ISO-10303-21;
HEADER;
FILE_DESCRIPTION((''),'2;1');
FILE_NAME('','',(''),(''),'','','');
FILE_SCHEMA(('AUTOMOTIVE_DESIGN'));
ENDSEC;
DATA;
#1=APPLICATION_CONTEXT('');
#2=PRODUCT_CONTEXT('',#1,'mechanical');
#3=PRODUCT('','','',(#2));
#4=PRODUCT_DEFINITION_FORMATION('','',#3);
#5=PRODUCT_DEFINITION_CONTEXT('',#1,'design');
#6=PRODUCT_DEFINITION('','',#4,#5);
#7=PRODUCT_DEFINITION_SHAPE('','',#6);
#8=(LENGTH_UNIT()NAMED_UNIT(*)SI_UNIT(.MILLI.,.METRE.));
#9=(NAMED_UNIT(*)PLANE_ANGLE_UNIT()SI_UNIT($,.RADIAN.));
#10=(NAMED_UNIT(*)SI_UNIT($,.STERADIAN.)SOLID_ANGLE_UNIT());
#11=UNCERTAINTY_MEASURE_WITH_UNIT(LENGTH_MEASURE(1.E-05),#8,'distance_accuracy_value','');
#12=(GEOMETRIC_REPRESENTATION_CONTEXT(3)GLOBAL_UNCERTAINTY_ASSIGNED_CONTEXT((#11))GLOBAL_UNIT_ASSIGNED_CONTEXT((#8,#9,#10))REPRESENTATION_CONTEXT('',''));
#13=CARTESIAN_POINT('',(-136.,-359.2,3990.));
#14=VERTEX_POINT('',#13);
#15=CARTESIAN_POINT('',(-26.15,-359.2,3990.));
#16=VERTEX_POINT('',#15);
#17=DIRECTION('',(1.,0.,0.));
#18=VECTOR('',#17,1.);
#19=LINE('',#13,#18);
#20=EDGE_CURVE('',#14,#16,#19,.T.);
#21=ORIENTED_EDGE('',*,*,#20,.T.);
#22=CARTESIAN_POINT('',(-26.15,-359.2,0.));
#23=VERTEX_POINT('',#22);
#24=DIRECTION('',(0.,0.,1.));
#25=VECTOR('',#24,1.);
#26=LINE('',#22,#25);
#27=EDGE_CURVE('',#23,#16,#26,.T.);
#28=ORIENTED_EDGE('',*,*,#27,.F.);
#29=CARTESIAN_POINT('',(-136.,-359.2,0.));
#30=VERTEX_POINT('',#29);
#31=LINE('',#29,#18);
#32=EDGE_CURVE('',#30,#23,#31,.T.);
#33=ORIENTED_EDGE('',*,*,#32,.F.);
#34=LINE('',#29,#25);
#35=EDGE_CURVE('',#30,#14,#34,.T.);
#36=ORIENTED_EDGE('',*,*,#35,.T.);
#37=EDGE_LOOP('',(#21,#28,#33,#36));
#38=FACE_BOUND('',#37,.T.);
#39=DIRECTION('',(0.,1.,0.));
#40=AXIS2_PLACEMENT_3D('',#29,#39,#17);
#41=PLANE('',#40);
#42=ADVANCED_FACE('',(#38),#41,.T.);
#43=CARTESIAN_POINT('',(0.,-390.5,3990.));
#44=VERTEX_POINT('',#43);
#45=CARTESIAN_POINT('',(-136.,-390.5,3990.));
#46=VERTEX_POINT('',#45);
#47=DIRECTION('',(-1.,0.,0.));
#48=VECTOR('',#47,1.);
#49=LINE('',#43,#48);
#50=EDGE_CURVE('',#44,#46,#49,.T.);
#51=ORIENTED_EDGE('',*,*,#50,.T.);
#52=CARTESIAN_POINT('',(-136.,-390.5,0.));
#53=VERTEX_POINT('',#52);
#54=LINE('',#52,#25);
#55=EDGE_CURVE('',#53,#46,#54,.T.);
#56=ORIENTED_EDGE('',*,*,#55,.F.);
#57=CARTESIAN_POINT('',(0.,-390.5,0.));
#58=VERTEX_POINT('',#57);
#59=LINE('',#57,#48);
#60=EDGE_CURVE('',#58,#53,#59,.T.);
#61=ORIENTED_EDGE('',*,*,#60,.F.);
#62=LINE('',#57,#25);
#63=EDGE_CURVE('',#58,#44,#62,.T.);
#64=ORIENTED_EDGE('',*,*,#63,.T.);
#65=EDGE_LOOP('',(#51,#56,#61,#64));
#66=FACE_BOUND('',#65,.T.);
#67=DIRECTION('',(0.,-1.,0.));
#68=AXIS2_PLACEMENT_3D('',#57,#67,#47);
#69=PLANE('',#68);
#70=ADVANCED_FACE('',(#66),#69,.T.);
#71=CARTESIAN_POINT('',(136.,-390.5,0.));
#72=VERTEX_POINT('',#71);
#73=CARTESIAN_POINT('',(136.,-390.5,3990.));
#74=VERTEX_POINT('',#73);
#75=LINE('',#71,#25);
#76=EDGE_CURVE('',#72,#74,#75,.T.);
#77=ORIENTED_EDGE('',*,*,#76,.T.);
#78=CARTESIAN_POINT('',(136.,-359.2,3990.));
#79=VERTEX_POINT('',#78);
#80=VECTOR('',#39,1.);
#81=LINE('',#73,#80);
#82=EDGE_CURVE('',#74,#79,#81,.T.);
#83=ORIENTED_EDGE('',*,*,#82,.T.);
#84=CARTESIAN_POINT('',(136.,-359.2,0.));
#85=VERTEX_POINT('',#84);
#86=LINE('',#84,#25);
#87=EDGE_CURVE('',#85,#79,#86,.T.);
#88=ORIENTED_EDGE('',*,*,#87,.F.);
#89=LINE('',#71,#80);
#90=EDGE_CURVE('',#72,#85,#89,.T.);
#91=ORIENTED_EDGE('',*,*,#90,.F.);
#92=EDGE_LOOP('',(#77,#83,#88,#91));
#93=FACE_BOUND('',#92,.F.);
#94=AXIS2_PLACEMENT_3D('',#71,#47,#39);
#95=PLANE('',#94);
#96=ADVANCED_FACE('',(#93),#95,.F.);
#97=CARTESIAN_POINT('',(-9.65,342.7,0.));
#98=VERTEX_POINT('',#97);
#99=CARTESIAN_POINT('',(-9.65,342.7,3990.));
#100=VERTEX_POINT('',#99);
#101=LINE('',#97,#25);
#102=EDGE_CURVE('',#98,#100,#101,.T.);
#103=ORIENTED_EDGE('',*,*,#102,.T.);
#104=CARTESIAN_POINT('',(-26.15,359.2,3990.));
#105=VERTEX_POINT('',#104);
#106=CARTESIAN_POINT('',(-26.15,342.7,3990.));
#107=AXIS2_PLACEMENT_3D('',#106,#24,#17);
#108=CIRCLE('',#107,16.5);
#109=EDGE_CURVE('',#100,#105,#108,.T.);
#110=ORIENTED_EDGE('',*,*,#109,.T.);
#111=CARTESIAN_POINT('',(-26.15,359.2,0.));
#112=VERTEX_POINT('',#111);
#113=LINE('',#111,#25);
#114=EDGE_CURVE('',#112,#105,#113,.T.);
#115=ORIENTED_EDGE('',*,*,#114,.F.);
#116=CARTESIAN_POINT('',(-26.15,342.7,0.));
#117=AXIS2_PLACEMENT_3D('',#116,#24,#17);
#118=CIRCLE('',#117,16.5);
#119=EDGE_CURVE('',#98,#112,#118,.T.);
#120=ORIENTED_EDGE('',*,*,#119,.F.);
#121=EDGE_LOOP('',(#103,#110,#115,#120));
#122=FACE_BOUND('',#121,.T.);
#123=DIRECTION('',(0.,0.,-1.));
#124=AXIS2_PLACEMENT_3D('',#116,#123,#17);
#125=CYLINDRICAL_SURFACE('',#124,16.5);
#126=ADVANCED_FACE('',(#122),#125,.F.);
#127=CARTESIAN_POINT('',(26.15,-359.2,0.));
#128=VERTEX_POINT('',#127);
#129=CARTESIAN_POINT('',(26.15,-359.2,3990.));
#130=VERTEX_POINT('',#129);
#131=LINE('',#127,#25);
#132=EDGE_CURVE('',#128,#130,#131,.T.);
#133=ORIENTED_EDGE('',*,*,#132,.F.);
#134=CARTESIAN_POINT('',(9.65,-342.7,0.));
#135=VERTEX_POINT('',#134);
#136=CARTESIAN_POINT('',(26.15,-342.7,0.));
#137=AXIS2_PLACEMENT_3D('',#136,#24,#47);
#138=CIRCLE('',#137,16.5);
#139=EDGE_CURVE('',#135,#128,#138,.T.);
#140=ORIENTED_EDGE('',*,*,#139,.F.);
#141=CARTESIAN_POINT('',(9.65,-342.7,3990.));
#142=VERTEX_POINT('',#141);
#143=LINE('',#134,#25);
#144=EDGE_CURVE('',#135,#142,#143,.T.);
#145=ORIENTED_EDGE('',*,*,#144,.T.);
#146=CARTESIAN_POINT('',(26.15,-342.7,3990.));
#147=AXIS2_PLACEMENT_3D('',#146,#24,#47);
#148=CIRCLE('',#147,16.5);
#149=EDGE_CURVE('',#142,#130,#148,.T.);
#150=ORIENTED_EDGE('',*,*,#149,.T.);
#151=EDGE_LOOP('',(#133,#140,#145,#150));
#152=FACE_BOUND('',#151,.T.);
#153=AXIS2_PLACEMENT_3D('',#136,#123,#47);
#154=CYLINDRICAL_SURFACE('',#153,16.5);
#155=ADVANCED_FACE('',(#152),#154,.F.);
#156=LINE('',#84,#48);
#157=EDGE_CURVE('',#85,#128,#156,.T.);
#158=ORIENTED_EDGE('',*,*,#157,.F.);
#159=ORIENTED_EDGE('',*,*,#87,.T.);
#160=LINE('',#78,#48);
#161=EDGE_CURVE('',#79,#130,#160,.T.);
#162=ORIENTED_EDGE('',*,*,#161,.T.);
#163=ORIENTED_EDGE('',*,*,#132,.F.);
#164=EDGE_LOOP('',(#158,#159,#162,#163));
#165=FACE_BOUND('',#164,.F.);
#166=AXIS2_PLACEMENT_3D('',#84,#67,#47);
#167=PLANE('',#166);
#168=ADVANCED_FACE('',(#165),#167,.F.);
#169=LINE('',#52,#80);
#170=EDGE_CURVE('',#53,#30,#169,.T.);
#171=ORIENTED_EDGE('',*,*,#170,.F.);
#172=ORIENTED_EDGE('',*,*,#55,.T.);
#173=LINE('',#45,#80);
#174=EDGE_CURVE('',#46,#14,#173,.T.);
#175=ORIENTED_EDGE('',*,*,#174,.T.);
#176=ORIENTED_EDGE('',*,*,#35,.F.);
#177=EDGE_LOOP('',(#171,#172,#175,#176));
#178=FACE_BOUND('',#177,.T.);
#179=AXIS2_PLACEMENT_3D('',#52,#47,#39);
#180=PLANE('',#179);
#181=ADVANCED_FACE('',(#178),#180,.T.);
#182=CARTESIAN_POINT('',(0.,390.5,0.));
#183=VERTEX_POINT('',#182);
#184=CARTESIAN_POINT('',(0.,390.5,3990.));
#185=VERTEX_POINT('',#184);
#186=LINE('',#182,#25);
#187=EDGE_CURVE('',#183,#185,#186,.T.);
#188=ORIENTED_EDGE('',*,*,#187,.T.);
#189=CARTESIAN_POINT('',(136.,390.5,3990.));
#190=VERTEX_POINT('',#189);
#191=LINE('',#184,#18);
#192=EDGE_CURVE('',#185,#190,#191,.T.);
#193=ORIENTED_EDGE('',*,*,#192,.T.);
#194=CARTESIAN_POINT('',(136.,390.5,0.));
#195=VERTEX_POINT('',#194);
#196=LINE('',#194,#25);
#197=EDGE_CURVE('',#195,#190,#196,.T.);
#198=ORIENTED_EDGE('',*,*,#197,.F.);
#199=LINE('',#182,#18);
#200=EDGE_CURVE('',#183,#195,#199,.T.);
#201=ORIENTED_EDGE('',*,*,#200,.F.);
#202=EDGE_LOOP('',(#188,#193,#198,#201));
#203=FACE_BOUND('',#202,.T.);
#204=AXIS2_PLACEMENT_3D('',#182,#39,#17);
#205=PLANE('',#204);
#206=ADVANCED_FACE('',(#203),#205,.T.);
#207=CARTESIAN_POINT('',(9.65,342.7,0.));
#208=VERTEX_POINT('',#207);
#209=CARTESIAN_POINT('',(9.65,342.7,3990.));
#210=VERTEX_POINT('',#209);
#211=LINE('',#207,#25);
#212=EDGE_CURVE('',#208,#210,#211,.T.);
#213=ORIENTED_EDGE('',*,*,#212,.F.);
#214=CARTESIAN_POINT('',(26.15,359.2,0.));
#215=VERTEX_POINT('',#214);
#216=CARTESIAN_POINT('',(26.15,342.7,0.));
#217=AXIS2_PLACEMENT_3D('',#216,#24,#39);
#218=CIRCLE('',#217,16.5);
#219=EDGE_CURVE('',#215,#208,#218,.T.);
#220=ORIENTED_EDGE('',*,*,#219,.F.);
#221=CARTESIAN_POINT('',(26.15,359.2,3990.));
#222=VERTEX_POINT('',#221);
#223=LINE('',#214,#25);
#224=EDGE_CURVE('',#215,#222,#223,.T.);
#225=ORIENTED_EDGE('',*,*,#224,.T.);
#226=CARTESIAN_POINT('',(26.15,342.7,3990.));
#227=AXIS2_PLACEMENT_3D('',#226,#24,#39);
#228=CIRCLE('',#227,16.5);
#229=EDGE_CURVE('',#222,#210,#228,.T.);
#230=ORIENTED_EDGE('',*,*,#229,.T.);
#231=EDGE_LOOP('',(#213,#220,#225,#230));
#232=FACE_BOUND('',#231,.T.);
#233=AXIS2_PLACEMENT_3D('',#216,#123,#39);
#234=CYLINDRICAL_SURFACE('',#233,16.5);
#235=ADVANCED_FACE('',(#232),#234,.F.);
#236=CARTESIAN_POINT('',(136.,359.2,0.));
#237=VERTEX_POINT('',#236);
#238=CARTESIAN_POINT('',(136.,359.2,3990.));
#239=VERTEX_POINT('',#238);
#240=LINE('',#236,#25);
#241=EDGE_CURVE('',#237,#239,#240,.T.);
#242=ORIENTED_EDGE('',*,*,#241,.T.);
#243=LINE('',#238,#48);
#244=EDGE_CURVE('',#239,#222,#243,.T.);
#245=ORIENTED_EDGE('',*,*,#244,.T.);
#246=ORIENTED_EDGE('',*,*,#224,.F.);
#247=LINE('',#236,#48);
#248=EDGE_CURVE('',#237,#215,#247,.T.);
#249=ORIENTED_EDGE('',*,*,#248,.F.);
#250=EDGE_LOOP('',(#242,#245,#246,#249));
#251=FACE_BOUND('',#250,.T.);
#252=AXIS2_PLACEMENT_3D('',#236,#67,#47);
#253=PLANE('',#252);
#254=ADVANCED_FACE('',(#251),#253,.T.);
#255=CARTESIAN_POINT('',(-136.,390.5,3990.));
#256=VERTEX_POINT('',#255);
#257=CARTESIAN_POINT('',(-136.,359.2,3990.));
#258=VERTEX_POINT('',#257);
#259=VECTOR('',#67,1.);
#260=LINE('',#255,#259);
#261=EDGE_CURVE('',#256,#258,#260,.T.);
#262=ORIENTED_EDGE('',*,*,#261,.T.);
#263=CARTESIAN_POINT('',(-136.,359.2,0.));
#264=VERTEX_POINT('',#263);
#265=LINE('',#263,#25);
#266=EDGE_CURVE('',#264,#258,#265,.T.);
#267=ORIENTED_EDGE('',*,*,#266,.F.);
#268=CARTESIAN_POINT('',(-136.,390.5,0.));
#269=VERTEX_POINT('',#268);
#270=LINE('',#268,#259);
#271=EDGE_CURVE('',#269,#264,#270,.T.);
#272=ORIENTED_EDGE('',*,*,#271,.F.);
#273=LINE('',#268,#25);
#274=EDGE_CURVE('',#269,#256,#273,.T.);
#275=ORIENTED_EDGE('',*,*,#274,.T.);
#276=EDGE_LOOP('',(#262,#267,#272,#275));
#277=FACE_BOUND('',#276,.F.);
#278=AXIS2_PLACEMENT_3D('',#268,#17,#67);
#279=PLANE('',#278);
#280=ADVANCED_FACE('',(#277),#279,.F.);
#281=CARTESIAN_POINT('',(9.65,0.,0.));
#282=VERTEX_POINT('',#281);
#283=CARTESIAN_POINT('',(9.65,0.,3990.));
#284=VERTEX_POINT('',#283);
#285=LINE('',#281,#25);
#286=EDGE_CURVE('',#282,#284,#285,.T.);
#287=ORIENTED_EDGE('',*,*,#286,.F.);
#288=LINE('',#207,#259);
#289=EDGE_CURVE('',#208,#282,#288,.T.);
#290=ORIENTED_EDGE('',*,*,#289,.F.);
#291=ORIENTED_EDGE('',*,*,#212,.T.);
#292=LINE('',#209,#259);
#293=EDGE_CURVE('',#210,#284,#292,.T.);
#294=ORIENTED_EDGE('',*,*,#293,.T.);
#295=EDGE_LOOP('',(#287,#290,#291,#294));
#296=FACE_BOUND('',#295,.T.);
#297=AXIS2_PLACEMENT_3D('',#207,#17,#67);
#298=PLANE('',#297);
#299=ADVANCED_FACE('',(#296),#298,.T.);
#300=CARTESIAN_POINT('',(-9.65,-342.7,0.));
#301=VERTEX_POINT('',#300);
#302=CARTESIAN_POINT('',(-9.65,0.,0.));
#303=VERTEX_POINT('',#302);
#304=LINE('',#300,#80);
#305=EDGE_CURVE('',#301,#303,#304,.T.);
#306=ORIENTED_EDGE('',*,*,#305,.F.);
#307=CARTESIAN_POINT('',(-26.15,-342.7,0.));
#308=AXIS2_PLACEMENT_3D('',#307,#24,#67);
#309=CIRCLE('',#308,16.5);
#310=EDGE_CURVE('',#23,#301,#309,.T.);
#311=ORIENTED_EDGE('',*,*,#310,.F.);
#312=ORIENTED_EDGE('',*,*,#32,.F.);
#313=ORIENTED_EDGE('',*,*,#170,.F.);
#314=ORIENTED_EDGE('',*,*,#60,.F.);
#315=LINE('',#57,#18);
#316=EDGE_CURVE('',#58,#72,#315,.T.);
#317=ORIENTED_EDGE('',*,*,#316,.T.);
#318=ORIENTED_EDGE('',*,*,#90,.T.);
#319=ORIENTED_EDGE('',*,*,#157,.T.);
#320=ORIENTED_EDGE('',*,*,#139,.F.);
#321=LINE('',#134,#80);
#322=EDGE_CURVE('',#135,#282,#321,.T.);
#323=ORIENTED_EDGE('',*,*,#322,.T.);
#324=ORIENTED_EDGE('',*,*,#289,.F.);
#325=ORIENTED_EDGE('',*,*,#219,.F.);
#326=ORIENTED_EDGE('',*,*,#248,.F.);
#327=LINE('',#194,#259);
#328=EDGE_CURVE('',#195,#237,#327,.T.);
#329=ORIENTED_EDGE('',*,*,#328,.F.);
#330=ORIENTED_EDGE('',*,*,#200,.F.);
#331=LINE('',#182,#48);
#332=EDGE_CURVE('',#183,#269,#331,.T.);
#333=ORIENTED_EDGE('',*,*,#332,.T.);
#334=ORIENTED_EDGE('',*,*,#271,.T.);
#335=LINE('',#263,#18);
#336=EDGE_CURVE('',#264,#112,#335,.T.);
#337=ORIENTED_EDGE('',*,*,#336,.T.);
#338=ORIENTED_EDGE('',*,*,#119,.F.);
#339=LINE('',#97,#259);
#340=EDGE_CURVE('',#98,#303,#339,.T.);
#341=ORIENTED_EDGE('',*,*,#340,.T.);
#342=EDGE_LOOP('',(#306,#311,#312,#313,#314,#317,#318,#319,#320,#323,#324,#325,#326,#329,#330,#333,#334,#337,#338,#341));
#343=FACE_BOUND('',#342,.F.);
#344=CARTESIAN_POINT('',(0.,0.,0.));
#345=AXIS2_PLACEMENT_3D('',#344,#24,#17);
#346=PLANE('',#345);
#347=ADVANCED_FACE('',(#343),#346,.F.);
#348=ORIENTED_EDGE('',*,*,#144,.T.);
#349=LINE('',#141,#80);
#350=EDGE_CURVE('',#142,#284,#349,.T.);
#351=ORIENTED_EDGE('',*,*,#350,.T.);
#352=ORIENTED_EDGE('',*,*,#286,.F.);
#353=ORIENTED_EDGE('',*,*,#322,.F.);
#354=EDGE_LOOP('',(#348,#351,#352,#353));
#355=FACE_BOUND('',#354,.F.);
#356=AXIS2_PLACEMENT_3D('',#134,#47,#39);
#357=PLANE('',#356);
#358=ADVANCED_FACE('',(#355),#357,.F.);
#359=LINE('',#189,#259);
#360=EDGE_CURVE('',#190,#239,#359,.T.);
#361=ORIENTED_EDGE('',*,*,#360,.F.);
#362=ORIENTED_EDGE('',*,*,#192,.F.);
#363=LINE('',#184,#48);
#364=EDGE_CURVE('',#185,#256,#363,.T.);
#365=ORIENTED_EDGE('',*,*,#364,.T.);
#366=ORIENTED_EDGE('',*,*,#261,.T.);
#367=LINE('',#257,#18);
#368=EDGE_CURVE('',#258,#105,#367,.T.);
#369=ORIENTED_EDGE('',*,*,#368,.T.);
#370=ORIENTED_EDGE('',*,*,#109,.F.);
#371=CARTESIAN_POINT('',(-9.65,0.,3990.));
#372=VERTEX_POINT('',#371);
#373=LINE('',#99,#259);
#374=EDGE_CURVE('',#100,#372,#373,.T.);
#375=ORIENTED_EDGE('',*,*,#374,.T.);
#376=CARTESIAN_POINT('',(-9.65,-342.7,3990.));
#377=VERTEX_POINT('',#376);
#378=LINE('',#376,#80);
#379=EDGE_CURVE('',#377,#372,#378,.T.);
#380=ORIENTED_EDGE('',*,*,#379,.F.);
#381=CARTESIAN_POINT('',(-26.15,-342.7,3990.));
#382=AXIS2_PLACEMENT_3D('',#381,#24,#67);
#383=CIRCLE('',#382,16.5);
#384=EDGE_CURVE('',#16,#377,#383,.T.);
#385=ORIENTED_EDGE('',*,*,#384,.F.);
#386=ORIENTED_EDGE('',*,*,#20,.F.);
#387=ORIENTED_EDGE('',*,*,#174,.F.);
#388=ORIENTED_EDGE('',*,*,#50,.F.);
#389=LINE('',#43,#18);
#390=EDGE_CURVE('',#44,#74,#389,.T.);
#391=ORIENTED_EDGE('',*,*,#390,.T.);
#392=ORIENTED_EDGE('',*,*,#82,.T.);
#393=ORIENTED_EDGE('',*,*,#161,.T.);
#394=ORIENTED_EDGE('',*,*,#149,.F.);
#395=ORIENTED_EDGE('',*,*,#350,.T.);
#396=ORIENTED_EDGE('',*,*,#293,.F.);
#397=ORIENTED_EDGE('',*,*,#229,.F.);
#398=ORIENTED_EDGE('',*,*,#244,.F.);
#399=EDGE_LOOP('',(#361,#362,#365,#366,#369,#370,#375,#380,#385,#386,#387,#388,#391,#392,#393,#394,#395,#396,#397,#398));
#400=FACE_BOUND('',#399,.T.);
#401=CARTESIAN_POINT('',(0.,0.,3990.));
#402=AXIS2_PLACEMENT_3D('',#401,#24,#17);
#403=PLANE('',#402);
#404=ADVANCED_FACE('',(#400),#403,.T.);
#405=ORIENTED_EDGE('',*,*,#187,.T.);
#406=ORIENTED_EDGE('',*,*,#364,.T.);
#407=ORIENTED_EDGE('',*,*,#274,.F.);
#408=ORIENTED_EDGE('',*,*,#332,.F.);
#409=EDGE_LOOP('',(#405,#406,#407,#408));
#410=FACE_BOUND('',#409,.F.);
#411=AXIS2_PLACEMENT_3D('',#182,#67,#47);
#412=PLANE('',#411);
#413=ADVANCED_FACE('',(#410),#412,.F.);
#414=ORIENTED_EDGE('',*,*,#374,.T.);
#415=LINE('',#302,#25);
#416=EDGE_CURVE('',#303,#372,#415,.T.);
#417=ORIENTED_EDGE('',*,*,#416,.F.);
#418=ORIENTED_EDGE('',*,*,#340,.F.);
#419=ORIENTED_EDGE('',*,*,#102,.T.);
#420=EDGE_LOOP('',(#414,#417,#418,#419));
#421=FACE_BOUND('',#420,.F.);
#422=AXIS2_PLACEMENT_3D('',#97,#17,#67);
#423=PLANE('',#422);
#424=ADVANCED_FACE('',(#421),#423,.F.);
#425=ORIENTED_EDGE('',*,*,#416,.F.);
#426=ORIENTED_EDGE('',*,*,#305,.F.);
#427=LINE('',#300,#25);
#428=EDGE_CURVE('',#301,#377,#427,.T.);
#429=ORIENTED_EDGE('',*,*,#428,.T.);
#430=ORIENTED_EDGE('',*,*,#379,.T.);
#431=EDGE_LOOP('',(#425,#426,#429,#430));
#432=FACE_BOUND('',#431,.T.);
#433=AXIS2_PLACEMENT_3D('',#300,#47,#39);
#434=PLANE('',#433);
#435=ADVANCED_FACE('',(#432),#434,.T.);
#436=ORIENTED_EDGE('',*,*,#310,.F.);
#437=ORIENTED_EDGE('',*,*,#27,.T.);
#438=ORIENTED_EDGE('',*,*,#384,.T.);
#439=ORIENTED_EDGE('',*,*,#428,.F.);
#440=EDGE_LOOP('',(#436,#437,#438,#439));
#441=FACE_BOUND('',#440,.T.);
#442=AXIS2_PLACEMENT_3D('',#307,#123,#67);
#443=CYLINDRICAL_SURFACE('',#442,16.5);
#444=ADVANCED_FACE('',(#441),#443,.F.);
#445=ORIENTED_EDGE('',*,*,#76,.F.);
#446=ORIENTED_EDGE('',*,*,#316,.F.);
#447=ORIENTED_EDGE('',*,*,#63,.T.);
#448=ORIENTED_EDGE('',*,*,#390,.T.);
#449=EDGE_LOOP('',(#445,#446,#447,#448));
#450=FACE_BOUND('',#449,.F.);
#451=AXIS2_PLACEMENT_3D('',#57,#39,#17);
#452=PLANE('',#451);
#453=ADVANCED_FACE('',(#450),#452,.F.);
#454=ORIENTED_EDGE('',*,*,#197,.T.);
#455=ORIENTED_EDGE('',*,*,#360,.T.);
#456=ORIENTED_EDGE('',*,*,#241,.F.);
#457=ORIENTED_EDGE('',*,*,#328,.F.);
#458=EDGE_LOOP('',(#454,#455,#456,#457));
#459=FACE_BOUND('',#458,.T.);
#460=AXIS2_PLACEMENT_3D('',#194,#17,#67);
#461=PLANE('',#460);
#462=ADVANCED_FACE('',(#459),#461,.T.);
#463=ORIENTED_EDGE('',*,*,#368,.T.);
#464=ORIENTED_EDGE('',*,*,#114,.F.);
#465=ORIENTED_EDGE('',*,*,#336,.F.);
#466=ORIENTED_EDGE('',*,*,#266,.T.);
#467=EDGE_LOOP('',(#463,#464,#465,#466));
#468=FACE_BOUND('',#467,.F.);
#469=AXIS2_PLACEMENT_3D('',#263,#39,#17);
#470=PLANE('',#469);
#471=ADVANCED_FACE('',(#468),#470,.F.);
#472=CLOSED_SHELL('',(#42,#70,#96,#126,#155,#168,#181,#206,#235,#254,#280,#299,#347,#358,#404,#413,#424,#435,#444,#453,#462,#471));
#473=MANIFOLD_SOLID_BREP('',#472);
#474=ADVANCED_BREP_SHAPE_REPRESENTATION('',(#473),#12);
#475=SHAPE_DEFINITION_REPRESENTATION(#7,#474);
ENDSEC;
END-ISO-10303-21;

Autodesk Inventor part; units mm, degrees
ref_plane "YZ Plane" through (0, 0, 0) normal (1, 0, 0) x (0, 1, 0)
ref_plane "Start plane" through (0, 0, 0) normal (0, 0, 1) x (1, 0, 0)
ref_plane "End plane" through (0, 0, 3990) normal (0, 0, 1) x (1, 0, 0)
sketch "Sketch" plane through (0, 0, 0) normal (0, 0, 1) x (1, 0, 0)
  line L0 (-136, -390.5) -> (-136, -359.2)
  line L1 (-136, -359.2) -> (-26.15, -359.2)
  line L2 (-9.65, -342.7) -> (-9.65, 0)
  line L3 (-9.65, 0) -> (0, 0) construction
  line L4 (0, 0) -> (0, -390.5) construction
  line L5 (0, -390.5) -> (-136, -390.5)
  line L6 (-60, 0) -> (80, 0) construction
  line L7 (0, -60) -> (0, 80) construction
  line L8 (136, -390.5) -> (136, -359.2)
  line L9 (136, -359.2) -> (26.15, -359.2)
  line L10 (9.65, -342.7) -> (9.65, 0)
  line L11 (9.65, 0) -> (0, 0) construction
  line L12 (0, -390.5) -> (136, -390.5)
  line L13 (-136, 390.5) -> (-136, 359.2)
  line L14 (-136, 359.2) -> (-26.15, 359.2)
  line L15 (-9.65, 342.7) -> (-9.65, 0)
  line L16 (0, 390.5) -> (-136, 390.5)
  line L17 (136, 390.5) -> (136, 359.2)
  line L18 (136, 359.2) -> (26.15, 359.2)
  line L19 (0, 390.5) -> (136, 390.5)
  line L20 (9.65, 342.7) -> (9.65, 0)
  arc A0 (-9.65, 342.7) -> (-26.15, 359.2) centre (-26.15, 342.7) ccw
  arc A1 (26.15, 359.2) -> (9.65, 342.7) centre (26.15, 342.7) ccw
  arc A2 (9.65, -342.7) -> (26.15, -359.2) centre (26.15, -342.7) ccw
  arc A3 (-26.15, -359.2) -> (-9.65, -342.7) centre (-26.15, -342.7) ccw
  line L21 (0, 108) -> (0, -88) construction
  line L22 (-88, 0) -> (108, 0) construction
  point P0 (-9.65, -359.2)
  point P1 (9.65, -359.2)
  point P2 (-9.65, 359.2)
  point P3 (9.65, 359.2)
  dimension "d1" = 390.5
  dimension "d2" = 31.3
  dimension "d3" = 136
  dimension "d4" = 9.65
  dimension "d10" = 16.5
extrude "Body" add sketch "Sketch" along normal up to surface (3990 mm away) from surface at 0
sketch "Sketch4" plane through (0, 0, 0) normal (0, 0, 1) x (1, 0, 0)
  line L0 (0, 0) -> (10, 0)
ref_plane "Work Plane3" through (0, 0, 0) normal (0, -1, 0) x (1, 0, 0)
sketch "Sketch5" plane through (0, 0, 0) normal (0, -1, 0) x (1, 0, 0)
  line L0 (-2, 0) -> (12, 0) projected
  line L1 (-2, 3990) -> (12, 3990) projected
  dimension "d14" = 3990
equation "\"d1\" = 0.5 * G_H"
equation "\"d2\" = G_T1"
equation "\"d3\" = 0.5 * G_W"
equation "\"d4\" = 0.5 * G_T"
equation "\"d10\" = G_IR"
equation "\"d5\" = G_L"
equation "\"G_W\" = 272"
equation "\"G_H\" = 781"
equation "\"G_T\" = 19.3"
equation "\"G_T1\" = 31.3"
equation "\"G_IR\" = 16.5"
equation "\"G_L\" = d14"
equation "\"G_OFFSET_START\" = 0"
equation "\"G_OFFSET_END\" = 0"
properties part number "AS 3679-1990 - 760 UB - 244 - 3990" material "Steel, Mild"
